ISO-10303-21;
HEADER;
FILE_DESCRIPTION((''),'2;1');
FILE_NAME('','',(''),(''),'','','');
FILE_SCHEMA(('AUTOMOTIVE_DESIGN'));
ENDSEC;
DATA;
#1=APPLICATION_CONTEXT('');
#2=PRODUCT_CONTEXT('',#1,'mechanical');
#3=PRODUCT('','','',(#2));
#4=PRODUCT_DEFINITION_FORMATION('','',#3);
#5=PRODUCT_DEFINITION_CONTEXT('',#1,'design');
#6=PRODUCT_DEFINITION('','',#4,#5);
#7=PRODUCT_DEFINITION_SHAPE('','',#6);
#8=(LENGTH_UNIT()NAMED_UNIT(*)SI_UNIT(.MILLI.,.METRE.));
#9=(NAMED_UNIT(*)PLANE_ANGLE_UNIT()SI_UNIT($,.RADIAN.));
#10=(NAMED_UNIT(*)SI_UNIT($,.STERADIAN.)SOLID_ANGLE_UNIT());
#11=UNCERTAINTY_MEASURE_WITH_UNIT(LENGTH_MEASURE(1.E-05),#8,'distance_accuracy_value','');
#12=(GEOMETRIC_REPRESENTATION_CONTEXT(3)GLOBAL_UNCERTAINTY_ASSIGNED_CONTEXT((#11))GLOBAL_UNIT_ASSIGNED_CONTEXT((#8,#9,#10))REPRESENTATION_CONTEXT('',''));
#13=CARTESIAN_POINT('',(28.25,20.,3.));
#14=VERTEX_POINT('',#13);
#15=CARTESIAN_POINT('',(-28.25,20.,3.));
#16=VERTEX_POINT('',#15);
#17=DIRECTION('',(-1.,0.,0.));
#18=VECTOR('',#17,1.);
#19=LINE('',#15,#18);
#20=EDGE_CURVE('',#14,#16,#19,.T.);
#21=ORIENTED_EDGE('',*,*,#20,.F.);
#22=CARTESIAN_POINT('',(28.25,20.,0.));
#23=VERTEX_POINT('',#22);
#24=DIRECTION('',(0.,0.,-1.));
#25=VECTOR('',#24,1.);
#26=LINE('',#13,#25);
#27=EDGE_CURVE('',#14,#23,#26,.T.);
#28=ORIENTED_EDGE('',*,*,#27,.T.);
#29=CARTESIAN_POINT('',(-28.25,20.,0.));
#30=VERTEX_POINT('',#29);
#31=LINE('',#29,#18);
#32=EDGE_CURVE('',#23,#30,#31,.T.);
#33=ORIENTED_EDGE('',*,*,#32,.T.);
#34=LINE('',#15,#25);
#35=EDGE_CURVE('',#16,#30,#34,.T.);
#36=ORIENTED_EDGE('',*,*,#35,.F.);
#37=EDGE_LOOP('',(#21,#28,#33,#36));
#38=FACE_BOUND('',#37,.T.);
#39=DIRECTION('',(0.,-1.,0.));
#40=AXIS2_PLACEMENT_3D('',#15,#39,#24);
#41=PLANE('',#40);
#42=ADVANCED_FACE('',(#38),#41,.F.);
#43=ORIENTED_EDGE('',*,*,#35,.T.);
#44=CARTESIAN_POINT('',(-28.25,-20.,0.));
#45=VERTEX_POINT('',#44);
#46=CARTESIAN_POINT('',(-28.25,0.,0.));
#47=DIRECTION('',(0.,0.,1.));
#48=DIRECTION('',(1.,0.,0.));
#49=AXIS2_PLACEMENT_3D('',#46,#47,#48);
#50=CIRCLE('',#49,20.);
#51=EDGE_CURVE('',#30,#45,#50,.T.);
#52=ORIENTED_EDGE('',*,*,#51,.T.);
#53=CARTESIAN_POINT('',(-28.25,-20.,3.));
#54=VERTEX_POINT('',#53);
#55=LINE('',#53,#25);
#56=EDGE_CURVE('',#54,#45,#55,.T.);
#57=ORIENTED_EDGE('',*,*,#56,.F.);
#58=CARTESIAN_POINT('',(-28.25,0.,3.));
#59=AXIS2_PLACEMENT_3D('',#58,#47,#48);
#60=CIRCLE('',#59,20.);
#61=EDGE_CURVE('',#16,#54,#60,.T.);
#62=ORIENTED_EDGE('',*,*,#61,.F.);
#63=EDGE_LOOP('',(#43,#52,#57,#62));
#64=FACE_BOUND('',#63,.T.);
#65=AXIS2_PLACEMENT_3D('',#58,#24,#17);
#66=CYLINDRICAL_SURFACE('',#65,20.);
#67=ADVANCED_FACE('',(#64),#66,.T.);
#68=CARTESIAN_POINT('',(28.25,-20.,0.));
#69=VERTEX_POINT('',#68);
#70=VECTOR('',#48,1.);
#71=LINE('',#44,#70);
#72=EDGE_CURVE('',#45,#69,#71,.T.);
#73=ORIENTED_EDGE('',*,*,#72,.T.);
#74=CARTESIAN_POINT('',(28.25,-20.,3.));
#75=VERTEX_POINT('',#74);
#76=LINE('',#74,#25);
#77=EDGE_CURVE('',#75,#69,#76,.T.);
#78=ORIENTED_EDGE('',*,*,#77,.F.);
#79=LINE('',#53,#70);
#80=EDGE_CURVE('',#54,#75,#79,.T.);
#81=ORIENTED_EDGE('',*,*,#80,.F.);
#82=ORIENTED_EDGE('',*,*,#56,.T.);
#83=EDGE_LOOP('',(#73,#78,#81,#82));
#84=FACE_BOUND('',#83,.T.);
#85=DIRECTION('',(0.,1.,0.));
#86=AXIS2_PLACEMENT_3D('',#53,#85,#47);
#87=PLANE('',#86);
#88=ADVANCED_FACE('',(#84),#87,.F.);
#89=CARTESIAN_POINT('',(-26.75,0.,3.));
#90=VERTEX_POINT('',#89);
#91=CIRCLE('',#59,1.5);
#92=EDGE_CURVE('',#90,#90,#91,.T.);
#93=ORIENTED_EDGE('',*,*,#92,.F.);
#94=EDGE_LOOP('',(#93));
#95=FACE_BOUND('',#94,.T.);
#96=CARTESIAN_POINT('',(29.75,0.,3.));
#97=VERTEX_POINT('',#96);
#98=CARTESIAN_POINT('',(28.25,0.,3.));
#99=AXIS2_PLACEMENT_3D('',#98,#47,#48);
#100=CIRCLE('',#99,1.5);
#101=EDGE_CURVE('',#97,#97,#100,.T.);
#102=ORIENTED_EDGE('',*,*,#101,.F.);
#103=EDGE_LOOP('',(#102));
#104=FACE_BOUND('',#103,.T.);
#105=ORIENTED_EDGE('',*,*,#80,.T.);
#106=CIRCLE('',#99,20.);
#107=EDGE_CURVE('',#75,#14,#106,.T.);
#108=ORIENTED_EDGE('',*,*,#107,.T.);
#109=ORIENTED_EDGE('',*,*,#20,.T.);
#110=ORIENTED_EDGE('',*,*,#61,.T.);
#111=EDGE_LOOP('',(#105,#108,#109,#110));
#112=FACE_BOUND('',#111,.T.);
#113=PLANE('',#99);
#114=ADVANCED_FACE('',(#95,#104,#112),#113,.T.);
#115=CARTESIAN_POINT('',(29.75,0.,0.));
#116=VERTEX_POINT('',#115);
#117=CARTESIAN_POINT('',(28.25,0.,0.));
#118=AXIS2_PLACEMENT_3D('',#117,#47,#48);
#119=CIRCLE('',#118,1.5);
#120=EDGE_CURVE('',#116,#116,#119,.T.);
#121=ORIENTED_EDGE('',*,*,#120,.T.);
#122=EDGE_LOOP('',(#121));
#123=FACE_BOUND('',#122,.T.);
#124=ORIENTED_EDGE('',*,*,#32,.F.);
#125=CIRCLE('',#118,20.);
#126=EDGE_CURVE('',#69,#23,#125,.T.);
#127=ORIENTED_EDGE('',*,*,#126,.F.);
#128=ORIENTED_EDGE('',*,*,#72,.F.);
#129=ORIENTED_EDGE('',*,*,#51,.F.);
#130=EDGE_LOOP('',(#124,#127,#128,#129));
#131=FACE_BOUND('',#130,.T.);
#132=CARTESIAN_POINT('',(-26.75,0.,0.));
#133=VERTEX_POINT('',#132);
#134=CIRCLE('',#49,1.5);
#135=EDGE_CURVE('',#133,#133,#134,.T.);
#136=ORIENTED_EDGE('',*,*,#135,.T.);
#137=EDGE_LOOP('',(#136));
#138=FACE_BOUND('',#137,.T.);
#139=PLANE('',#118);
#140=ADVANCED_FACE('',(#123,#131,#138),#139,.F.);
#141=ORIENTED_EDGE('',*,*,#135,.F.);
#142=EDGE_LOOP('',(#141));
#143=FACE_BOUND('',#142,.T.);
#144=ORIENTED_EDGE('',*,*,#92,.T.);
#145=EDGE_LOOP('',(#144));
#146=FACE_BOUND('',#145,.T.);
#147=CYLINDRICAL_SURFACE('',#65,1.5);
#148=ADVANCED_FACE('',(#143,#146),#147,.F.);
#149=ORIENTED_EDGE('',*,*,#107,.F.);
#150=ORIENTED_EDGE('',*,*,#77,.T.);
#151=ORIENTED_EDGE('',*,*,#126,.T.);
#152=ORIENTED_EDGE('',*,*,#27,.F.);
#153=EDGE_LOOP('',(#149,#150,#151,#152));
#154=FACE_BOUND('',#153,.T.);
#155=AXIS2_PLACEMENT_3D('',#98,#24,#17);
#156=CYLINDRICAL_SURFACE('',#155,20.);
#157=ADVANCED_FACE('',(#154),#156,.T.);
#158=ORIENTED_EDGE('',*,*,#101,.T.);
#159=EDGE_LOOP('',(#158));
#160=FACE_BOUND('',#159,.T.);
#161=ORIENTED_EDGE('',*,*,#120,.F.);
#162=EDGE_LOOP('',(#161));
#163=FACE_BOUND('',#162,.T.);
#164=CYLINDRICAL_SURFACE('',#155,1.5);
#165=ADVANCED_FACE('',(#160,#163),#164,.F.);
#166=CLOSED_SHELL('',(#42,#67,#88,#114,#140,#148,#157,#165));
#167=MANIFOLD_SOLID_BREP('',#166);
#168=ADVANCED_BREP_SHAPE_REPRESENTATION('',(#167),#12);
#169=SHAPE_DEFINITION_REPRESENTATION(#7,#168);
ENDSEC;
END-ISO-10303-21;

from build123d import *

# Parameters (mm, degrees)
SKETCH1_R           = 1.5
BOSS_EXTRUDE1_DEPTH = 3


with BuildPart() as part:
    # Sketch1 → Boss-Extrude1 (new body)
    with BuildSketch(Plane.XY):
        with BuildLine():
            Line((-28.25, 20), (28.25, 20))
            ThreePointArc((28.25, 20), (48.25, 0), (28.25, -20))
            Line((28.25, -20), (-28.25, -20))
            ThreePointArc((-28.25, -20), (-48.25, 0), (-28.25, 20))
        make_face()
        with Locations((-28.25, 0)):
            Circle(SKETCH1_R, mode=Mode.SUBTRACT)
        with Locations((28.25, 0)):
            Circle(SKETCH1_R, mode=Mode.SUBTRACT)
    extrude(amount=BOSS_EXTRUDE1_DEPTH)


solid = part.part
